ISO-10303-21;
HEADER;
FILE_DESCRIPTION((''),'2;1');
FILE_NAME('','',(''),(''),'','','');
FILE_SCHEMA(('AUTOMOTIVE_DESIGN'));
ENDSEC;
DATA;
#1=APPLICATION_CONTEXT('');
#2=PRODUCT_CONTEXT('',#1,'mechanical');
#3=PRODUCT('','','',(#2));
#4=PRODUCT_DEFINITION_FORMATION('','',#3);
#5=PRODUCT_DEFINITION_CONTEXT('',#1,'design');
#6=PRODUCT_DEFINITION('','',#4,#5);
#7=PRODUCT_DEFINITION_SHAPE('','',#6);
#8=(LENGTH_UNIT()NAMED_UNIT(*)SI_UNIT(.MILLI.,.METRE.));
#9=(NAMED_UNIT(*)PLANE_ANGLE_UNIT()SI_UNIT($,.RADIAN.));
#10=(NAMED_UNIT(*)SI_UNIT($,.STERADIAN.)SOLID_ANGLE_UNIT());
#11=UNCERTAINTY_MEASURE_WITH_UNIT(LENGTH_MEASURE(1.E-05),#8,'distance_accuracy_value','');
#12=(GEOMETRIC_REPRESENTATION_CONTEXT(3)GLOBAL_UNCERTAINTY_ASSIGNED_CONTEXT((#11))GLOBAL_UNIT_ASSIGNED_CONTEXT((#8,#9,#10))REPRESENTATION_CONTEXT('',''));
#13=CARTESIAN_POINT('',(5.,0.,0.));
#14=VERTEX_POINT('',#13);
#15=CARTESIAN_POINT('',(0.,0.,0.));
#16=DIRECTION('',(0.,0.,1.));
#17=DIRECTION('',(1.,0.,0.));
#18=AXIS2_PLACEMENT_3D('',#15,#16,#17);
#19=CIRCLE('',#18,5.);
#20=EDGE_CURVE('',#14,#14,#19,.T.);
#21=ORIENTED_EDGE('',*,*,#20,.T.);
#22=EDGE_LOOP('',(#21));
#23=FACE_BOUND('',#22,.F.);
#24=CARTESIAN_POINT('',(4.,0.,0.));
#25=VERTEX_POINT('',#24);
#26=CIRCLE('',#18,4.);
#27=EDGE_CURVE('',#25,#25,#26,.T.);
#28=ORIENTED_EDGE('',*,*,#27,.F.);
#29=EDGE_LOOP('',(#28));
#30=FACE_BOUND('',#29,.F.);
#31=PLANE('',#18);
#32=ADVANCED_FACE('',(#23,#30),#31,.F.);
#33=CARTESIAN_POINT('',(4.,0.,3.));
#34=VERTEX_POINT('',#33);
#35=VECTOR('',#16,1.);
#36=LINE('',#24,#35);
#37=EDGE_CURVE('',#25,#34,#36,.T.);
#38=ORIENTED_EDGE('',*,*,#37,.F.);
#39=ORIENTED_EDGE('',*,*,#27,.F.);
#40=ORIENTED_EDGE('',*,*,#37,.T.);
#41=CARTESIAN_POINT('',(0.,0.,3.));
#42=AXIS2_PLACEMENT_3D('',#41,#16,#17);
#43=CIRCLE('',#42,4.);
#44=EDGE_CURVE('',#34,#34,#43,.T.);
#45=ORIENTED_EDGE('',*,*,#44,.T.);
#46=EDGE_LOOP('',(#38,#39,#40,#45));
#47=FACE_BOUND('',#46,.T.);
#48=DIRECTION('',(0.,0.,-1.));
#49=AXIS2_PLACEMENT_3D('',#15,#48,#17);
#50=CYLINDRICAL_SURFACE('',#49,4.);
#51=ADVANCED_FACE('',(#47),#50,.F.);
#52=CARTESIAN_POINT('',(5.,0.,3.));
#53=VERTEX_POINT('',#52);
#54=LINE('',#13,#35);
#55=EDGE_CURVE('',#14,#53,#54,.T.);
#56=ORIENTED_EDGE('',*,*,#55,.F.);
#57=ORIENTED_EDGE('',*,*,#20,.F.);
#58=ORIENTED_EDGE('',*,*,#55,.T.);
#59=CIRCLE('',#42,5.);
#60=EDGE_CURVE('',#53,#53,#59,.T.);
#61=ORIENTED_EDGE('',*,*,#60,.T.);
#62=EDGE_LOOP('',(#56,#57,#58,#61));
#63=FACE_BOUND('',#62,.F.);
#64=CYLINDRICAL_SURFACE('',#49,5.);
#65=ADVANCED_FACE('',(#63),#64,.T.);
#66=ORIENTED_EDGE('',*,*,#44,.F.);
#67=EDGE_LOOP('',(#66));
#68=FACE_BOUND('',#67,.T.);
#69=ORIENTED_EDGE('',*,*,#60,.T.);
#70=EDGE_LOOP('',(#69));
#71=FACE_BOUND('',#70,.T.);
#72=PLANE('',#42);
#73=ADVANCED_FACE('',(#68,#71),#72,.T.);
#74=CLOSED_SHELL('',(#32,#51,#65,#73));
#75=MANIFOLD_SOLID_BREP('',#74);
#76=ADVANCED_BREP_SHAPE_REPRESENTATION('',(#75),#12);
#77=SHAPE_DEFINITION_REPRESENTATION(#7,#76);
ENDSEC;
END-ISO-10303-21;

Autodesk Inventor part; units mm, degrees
ref_plane "YZ Plane" through (0, 0, 0) normal (1, 0, 0) x (0, 1, 0)
ref_plane "XZ Plane" through (0, 0, 0) normal (0, 1, 0) x (-1, 0, 0)
ref_plane "XY Plane" through (0, 0, 0) normal (0, 0, 1) x (1, 0, 0)
sketch "スケッチ1" plane through (0, 0, 0) normal (0, 0, 1) x (1, 0, 0)
  circle A0 centre (0, 0) radius 4
  circle A1 centre (0, 0) radius 5
  dimension "d0" = 8
  dimension "d1" = 10
extrude "押し出し1" add sketch "スケッチ1" along normal blind 3
properties part number "オイレス081003" material "アセタール樹脂、黒"
